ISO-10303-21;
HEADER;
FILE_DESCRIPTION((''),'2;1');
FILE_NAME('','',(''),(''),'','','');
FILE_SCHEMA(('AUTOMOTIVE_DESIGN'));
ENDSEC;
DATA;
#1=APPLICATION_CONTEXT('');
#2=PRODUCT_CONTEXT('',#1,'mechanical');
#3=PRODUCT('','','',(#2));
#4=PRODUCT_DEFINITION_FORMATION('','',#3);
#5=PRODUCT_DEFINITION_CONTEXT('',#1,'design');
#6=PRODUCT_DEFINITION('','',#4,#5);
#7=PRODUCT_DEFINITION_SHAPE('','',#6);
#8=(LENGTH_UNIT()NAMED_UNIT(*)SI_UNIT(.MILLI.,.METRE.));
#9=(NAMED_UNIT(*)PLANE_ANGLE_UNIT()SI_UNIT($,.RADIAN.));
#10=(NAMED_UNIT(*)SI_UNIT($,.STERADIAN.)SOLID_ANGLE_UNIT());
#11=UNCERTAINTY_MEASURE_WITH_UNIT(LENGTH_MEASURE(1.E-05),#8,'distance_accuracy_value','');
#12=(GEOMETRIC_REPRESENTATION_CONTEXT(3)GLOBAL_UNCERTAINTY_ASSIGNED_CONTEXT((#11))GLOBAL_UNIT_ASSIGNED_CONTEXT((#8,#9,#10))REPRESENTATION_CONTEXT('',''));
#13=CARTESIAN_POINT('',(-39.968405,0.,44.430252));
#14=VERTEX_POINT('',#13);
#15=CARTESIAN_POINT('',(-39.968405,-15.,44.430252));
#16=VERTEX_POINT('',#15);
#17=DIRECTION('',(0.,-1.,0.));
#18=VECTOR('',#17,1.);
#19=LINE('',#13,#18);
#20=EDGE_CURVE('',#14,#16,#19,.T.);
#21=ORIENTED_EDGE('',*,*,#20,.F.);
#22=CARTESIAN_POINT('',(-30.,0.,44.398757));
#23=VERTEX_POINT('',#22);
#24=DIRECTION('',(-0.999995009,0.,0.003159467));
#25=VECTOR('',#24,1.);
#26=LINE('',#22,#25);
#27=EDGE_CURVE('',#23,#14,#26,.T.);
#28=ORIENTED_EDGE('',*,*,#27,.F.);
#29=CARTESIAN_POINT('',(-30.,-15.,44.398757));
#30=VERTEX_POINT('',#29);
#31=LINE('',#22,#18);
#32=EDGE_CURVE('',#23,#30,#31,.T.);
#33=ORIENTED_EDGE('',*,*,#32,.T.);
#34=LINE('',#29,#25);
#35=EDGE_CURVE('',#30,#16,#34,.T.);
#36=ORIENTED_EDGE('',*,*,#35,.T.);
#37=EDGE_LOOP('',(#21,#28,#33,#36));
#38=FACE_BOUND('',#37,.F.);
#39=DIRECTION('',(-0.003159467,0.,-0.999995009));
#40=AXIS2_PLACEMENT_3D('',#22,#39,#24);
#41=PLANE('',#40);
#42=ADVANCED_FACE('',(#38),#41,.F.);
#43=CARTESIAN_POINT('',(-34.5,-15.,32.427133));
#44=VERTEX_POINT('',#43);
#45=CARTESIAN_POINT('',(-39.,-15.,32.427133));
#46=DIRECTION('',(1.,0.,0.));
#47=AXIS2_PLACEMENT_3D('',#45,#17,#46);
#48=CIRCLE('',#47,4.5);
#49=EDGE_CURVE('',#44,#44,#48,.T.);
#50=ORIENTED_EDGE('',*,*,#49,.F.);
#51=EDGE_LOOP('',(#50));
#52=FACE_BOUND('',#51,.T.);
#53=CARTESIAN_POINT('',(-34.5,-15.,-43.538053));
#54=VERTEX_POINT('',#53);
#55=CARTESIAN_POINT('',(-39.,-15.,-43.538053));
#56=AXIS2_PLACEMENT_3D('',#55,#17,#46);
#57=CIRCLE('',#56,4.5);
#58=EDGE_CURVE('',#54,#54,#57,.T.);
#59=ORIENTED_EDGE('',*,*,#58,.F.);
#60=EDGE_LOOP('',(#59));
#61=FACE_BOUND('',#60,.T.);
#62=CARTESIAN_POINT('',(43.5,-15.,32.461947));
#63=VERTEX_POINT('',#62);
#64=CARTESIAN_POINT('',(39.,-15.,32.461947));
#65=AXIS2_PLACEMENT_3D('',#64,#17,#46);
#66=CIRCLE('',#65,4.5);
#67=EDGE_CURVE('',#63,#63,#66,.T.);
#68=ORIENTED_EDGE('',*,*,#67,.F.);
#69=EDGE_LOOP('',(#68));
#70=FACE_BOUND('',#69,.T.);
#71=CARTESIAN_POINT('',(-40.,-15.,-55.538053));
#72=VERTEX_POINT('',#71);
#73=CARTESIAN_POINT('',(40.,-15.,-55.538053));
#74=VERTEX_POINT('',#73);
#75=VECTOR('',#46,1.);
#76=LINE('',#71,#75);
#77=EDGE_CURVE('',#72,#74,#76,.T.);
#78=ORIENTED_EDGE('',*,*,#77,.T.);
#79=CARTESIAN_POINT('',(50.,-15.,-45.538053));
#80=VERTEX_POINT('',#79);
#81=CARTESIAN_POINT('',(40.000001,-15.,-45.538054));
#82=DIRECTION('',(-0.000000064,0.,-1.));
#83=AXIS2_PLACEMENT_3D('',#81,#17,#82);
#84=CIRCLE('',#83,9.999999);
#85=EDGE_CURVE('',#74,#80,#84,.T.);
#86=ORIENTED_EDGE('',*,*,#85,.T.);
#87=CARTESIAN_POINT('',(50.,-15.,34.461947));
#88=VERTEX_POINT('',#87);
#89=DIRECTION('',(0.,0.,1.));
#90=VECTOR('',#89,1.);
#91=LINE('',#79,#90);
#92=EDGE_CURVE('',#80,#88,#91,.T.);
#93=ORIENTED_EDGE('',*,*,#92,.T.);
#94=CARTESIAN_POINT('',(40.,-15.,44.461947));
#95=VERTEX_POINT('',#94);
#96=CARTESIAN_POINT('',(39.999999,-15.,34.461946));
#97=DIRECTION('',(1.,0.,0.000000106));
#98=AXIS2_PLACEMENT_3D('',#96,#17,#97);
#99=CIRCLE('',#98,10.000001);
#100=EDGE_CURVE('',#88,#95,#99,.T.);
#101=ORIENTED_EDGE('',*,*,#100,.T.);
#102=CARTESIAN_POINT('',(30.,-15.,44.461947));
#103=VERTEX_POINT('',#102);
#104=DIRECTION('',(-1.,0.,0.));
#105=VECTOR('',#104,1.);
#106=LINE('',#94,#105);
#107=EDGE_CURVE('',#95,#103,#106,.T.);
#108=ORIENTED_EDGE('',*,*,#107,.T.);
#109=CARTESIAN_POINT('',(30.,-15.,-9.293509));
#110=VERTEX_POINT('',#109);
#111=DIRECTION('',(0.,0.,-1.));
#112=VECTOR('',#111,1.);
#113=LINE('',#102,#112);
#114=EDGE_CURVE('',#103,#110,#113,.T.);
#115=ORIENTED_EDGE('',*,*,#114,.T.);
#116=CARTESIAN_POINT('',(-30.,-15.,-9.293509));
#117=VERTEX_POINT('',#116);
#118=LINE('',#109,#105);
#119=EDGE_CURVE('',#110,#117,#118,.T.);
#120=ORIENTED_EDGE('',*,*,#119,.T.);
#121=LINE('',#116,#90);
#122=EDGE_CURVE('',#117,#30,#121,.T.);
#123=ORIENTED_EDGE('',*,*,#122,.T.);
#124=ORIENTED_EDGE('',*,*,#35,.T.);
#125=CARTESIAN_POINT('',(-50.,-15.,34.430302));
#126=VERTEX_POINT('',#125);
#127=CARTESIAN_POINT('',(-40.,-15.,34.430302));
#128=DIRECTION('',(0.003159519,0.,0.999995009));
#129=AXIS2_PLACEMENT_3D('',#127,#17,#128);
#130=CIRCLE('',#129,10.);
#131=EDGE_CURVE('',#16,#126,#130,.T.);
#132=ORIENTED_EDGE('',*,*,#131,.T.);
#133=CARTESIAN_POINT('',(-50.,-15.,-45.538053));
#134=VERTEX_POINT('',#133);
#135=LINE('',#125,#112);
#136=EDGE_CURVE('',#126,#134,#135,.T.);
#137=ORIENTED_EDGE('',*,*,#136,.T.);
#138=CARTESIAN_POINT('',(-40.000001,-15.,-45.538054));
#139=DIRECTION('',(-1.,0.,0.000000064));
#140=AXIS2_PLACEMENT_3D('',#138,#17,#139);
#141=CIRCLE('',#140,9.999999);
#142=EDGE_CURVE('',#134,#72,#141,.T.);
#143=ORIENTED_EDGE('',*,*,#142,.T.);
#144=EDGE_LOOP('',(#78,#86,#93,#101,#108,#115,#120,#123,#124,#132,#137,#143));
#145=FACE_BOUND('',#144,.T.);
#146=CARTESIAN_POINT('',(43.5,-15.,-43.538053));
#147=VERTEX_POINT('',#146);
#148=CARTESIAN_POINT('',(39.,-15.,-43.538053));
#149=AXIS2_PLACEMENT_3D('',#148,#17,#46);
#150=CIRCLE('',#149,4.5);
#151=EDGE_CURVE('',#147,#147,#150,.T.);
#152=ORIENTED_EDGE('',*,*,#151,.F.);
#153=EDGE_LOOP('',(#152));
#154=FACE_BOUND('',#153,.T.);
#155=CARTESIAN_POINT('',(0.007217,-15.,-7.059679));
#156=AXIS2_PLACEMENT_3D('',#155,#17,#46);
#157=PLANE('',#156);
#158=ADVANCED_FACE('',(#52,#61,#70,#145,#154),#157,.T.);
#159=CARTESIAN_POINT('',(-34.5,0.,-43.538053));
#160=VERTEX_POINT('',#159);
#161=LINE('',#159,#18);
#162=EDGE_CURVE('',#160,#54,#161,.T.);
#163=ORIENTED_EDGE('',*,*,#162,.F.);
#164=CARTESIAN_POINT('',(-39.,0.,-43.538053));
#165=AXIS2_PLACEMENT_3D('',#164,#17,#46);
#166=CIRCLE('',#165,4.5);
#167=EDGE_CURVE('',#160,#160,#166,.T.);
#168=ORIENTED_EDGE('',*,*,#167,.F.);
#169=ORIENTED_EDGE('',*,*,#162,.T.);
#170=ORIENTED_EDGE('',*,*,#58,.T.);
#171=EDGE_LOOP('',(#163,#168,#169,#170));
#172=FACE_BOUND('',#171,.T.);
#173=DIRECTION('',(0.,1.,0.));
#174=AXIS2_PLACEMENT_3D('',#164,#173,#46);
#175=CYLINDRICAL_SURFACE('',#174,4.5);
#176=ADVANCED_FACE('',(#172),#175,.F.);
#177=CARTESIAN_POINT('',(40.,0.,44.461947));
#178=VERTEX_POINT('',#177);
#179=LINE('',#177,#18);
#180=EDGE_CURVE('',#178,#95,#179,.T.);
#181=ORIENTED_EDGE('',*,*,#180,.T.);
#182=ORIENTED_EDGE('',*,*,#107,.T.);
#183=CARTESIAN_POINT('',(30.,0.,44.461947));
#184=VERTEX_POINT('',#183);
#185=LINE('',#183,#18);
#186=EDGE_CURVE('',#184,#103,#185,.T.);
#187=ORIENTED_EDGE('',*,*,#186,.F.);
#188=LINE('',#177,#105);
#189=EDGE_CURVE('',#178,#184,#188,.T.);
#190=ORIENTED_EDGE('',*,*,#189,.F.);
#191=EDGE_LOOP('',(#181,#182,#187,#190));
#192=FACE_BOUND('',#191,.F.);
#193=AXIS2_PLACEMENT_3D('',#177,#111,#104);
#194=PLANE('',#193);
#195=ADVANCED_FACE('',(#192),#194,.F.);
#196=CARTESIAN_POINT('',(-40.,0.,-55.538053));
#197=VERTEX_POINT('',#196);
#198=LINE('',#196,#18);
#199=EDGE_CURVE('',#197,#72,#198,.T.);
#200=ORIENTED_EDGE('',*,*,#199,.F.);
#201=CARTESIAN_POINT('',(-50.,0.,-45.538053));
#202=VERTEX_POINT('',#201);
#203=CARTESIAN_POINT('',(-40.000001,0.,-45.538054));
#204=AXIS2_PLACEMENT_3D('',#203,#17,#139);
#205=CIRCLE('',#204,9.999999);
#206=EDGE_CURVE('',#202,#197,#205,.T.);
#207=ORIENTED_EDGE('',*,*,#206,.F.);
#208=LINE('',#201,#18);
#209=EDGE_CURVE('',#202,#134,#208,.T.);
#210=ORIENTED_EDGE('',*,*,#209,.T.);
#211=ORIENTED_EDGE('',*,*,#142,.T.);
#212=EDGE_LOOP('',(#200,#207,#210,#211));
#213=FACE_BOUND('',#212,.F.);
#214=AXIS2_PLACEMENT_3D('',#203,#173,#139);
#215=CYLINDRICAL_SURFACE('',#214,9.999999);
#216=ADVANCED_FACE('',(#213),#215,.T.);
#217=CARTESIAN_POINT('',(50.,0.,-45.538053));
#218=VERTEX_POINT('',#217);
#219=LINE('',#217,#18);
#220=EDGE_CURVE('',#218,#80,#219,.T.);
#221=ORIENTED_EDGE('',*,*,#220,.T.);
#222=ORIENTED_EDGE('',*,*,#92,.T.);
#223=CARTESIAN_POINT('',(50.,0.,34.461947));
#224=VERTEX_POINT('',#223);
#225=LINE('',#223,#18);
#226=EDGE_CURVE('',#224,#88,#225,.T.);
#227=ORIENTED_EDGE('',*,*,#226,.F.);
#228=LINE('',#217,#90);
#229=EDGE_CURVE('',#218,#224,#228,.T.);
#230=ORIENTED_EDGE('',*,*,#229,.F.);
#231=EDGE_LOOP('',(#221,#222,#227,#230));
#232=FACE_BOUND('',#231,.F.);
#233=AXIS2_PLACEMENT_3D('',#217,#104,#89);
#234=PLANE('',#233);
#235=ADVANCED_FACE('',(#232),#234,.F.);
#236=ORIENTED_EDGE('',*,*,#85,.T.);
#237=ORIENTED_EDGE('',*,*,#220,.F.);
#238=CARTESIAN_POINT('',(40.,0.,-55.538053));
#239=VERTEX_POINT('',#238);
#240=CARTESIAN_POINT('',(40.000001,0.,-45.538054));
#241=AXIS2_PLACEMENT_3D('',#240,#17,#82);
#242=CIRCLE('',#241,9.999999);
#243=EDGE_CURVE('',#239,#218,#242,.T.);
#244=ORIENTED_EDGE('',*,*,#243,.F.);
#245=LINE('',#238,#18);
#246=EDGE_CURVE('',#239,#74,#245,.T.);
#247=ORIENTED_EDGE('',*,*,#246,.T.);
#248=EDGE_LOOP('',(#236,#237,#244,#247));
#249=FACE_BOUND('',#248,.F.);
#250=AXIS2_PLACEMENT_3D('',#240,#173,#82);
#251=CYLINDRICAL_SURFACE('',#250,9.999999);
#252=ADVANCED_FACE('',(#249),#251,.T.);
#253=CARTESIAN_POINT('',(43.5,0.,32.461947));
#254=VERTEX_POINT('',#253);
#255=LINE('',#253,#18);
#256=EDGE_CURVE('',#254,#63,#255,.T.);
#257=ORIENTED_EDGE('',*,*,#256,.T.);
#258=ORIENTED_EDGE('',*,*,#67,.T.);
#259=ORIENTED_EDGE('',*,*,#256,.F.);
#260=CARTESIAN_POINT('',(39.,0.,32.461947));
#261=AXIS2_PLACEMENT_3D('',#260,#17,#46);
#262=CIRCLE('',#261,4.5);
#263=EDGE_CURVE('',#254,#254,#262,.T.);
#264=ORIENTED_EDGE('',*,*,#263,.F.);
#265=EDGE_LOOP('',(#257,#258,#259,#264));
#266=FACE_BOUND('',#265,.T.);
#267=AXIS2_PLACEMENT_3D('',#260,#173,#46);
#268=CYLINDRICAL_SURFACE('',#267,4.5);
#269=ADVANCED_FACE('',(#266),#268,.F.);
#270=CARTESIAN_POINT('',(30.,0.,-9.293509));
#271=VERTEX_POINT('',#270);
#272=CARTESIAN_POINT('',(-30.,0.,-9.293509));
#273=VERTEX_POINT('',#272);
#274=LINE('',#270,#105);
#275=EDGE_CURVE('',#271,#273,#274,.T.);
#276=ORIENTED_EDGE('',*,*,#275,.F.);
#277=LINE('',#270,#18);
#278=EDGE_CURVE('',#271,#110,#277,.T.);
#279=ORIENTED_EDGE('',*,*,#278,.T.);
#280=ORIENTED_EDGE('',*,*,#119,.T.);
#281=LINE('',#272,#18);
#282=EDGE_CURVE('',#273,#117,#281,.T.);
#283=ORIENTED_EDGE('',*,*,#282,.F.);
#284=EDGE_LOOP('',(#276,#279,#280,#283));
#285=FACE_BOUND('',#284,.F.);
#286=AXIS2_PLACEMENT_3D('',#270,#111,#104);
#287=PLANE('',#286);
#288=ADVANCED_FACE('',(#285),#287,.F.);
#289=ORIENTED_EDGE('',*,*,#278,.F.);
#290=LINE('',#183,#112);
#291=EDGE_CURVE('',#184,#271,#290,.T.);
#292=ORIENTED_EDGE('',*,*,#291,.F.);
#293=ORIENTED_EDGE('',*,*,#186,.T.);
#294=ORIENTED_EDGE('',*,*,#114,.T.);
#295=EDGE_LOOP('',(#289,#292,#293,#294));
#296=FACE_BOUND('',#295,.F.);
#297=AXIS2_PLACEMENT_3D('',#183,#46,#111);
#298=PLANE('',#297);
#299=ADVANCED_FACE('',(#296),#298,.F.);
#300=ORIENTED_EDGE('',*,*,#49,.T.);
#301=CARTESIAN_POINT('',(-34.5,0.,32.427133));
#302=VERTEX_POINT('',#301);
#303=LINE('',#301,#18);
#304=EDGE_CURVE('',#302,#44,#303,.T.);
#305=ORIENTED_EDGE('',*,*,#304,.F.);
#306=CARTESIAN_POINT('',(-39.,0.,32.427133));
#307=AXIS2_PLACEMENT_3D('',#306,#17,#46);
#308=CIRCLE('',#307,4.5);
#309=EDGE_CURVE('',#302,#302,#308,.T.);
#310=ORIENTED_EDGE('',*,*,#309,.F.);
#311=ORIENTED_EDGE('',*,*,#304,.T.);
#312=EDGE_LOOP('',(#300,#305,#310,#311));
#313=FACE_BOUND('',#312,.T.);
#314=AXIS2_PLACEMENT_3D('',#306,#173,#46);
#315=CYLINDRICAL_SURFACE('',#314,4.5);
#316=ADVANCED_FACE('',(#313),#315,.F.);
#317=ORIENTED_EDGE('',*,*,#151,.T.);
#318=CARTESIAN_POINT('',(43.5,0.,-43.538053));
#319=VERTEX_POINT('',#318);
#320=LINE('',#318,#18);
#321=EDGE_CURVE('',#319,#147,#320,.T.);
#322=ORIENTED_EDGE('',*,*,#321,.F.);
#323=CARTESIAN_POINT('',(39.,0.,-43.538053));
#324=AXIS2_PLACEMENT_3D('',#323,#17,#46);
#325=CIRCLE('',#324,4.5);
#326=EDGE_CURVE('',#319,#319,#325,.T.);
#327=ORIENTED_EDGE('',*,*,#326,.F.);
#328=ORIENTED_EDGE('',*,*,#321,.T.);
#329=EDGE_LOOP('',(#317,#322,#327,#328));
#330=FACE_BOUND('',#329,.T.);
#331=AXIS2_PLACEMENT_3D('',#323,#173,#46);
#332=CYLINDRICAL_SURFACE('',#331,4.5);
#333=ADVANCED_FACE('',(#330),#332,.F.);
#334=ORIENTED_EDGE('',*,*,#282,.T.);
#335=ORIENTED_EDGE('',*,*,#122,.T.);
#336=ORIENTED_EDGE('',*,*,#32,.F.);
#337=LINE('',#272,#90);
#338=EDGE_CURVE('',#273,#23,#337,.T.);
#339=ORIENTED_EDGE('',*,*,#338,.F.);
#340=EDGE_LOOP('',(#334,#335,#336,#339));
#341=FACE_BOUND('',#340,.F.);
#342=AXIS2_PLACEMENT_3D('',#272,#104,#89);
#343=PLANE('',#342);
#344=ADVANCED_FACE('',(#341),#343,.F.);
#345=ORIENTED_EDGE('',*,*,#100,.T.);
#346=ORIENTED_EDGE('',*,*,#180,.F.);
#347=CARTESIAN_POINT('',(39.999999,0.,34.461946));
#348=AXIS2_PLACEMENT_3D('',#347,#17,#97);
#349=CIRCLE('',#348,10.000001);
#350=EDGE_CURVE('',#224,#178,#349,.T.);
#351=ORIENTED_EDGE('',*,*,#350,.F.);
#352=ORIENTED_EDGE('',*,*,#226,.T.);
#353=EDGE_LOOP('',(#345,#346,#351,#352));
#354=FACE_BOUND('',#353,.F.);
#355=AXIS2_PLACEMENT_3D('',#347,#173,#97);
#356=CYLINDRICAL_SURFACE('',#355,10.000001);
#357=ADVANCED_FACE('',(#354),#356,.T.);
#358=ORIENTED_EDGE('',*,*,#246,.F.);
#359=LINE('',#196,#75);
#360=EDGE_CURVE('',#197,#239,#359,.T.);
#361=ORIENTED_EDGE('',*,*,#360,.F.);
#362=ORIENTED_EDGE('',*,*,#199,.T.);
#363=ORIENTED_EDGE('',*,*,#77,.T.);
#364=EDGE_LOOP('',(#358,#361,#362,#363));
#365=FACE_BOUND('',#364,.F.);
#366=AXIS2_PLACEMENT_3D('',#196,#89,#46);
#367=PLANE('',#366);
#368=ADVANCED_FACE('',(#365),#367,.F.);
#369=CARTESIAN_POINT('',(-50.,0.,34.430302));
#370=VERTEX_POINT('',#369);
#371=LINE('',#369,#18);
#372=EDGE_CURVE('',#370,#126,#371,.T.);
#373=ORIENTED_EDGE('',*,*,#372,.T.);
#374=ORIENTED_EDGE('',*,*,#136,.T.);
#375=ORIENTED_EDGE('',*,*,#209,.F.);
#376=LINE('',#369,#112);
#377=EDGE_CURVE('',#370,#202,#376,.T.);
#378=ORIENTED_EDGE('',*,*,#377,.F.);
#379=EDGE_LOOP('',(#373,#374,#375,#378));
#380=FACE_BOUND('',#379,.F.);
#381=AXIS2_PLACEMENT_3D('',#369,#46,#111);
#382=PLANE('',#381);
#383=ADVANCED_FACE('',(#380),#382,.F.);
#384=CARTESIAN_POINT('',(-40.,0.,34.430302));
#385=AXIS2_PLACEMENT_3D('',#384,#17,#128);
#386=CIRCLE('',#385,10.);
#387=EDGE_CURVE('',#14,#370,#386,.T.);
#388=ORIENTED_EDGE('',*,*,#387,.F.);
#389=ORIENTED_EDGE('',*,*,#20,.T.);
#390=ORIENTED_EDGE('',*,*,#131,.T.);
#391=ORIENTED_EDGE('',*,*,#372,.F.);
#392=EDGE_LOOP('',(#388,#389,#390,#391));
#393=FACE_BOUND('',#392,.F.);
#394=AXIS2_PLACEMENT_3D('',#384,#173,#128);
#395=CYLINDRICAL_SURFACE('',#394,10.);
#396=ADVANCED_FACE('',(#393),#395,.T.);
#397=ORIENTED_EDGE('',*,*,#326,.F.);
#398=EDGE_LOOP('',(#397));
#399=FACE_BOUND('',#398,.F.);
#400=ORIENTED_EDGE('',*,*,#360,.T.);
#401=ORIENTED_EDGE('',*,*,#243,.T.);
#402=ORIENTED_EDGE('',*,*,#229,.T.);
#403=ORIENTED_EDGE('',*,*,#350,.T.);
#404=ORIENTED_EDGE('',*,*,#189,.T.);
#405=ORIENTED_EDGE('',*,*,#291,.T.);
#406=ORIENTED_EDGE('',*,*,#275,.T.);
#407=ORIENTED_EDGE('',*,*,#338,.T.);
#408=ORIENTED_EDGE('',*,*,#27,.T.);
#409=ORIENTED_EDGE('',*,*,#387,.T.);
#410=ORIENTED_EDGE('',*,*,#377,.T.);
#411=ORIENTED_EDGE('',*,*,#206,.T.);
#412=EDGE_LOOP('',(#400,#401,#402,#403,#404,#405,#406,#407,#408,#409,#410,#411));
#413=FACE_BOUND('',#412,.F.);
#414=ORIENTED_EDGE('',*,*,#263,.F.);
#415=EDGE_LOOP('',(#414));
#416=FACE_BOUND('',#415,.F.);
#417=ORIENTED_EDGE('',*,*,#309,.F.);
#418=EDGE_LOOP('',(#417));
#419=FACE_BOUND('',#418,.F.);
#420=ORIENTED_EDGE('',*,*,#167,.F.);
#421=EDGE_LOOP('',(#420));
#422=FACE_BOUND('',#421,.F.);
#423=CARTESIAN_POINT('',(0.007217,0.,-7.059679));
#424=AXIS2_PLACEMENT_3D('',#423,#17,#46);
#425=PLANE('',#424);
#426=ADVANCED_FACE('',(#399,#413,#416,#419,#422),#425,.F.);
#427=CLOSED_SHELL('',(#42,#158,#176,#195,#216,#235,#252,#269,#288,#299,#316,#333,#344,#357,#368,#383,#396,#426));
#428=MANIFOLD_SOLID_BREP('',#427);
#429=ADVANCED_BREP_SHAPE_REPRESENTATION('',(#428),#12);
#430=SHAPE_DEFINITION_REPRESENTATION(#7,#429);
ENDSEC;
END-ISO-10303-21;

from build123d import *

# Parameters (mm, degrees)
F0_R     = 4.5
F1_DEPTH = 15


with BuildPart() as f1:
    # F0 (on Front) → F1 (new body)
    with BuildSketch(Plane.XZ):
        with BuildLine():
            ThreePointArc((-50, -45.538053), (-47.071068, -52.609121), (-40, -55.538053))
            Line((-40, -55.538053), (40, -55.538053))
            ThreePointArc((40, -55.538053), (47.071068, -52.609121), (50, -45.538053))
            Line((50, -45.538053), (50, 34.461947))
            ThreePointArc((50, 34.461947), (47.071068, 41.533014), (40, 44.461947))
            Line((40, 44.461947), (30, 44.461947))
            Line((30, 44.461947), (30, 35.594383))
            Line((30, 35.594383), (30, -9.293509))
            Line((30, -9.293509), (-30, -9.293509))
            Line((-30, -9.293509), (-30, 44.398757))
            Line((-30, 44.398757), (-39.968405, 44.430252))
            ThreePointArc((-39.968405, 44.430252), (-47.059889, 41.512531), (-50, 34.430302))
            Line((-50, 34.430302), (-50, -45.538053))
        make_face()
        with Locations((-39, -43.538053)):
            Circle(F0_R, mode=Mode.SUBTRACT)
        with Locations((39, -43.538053)):
            Circle(F0_R, mode=Mode.SUBTRACT)
        with Locations((-39, 32.427133)):
            Circle(F0_R, mode=Mode.SUBTRACT)
        with Locations((39, 32.461947)):
            Circle(F0_R, mode=Mode.SUBTRACT)
    extrude(amount=F1_DEPTH)


solid = f1.part
